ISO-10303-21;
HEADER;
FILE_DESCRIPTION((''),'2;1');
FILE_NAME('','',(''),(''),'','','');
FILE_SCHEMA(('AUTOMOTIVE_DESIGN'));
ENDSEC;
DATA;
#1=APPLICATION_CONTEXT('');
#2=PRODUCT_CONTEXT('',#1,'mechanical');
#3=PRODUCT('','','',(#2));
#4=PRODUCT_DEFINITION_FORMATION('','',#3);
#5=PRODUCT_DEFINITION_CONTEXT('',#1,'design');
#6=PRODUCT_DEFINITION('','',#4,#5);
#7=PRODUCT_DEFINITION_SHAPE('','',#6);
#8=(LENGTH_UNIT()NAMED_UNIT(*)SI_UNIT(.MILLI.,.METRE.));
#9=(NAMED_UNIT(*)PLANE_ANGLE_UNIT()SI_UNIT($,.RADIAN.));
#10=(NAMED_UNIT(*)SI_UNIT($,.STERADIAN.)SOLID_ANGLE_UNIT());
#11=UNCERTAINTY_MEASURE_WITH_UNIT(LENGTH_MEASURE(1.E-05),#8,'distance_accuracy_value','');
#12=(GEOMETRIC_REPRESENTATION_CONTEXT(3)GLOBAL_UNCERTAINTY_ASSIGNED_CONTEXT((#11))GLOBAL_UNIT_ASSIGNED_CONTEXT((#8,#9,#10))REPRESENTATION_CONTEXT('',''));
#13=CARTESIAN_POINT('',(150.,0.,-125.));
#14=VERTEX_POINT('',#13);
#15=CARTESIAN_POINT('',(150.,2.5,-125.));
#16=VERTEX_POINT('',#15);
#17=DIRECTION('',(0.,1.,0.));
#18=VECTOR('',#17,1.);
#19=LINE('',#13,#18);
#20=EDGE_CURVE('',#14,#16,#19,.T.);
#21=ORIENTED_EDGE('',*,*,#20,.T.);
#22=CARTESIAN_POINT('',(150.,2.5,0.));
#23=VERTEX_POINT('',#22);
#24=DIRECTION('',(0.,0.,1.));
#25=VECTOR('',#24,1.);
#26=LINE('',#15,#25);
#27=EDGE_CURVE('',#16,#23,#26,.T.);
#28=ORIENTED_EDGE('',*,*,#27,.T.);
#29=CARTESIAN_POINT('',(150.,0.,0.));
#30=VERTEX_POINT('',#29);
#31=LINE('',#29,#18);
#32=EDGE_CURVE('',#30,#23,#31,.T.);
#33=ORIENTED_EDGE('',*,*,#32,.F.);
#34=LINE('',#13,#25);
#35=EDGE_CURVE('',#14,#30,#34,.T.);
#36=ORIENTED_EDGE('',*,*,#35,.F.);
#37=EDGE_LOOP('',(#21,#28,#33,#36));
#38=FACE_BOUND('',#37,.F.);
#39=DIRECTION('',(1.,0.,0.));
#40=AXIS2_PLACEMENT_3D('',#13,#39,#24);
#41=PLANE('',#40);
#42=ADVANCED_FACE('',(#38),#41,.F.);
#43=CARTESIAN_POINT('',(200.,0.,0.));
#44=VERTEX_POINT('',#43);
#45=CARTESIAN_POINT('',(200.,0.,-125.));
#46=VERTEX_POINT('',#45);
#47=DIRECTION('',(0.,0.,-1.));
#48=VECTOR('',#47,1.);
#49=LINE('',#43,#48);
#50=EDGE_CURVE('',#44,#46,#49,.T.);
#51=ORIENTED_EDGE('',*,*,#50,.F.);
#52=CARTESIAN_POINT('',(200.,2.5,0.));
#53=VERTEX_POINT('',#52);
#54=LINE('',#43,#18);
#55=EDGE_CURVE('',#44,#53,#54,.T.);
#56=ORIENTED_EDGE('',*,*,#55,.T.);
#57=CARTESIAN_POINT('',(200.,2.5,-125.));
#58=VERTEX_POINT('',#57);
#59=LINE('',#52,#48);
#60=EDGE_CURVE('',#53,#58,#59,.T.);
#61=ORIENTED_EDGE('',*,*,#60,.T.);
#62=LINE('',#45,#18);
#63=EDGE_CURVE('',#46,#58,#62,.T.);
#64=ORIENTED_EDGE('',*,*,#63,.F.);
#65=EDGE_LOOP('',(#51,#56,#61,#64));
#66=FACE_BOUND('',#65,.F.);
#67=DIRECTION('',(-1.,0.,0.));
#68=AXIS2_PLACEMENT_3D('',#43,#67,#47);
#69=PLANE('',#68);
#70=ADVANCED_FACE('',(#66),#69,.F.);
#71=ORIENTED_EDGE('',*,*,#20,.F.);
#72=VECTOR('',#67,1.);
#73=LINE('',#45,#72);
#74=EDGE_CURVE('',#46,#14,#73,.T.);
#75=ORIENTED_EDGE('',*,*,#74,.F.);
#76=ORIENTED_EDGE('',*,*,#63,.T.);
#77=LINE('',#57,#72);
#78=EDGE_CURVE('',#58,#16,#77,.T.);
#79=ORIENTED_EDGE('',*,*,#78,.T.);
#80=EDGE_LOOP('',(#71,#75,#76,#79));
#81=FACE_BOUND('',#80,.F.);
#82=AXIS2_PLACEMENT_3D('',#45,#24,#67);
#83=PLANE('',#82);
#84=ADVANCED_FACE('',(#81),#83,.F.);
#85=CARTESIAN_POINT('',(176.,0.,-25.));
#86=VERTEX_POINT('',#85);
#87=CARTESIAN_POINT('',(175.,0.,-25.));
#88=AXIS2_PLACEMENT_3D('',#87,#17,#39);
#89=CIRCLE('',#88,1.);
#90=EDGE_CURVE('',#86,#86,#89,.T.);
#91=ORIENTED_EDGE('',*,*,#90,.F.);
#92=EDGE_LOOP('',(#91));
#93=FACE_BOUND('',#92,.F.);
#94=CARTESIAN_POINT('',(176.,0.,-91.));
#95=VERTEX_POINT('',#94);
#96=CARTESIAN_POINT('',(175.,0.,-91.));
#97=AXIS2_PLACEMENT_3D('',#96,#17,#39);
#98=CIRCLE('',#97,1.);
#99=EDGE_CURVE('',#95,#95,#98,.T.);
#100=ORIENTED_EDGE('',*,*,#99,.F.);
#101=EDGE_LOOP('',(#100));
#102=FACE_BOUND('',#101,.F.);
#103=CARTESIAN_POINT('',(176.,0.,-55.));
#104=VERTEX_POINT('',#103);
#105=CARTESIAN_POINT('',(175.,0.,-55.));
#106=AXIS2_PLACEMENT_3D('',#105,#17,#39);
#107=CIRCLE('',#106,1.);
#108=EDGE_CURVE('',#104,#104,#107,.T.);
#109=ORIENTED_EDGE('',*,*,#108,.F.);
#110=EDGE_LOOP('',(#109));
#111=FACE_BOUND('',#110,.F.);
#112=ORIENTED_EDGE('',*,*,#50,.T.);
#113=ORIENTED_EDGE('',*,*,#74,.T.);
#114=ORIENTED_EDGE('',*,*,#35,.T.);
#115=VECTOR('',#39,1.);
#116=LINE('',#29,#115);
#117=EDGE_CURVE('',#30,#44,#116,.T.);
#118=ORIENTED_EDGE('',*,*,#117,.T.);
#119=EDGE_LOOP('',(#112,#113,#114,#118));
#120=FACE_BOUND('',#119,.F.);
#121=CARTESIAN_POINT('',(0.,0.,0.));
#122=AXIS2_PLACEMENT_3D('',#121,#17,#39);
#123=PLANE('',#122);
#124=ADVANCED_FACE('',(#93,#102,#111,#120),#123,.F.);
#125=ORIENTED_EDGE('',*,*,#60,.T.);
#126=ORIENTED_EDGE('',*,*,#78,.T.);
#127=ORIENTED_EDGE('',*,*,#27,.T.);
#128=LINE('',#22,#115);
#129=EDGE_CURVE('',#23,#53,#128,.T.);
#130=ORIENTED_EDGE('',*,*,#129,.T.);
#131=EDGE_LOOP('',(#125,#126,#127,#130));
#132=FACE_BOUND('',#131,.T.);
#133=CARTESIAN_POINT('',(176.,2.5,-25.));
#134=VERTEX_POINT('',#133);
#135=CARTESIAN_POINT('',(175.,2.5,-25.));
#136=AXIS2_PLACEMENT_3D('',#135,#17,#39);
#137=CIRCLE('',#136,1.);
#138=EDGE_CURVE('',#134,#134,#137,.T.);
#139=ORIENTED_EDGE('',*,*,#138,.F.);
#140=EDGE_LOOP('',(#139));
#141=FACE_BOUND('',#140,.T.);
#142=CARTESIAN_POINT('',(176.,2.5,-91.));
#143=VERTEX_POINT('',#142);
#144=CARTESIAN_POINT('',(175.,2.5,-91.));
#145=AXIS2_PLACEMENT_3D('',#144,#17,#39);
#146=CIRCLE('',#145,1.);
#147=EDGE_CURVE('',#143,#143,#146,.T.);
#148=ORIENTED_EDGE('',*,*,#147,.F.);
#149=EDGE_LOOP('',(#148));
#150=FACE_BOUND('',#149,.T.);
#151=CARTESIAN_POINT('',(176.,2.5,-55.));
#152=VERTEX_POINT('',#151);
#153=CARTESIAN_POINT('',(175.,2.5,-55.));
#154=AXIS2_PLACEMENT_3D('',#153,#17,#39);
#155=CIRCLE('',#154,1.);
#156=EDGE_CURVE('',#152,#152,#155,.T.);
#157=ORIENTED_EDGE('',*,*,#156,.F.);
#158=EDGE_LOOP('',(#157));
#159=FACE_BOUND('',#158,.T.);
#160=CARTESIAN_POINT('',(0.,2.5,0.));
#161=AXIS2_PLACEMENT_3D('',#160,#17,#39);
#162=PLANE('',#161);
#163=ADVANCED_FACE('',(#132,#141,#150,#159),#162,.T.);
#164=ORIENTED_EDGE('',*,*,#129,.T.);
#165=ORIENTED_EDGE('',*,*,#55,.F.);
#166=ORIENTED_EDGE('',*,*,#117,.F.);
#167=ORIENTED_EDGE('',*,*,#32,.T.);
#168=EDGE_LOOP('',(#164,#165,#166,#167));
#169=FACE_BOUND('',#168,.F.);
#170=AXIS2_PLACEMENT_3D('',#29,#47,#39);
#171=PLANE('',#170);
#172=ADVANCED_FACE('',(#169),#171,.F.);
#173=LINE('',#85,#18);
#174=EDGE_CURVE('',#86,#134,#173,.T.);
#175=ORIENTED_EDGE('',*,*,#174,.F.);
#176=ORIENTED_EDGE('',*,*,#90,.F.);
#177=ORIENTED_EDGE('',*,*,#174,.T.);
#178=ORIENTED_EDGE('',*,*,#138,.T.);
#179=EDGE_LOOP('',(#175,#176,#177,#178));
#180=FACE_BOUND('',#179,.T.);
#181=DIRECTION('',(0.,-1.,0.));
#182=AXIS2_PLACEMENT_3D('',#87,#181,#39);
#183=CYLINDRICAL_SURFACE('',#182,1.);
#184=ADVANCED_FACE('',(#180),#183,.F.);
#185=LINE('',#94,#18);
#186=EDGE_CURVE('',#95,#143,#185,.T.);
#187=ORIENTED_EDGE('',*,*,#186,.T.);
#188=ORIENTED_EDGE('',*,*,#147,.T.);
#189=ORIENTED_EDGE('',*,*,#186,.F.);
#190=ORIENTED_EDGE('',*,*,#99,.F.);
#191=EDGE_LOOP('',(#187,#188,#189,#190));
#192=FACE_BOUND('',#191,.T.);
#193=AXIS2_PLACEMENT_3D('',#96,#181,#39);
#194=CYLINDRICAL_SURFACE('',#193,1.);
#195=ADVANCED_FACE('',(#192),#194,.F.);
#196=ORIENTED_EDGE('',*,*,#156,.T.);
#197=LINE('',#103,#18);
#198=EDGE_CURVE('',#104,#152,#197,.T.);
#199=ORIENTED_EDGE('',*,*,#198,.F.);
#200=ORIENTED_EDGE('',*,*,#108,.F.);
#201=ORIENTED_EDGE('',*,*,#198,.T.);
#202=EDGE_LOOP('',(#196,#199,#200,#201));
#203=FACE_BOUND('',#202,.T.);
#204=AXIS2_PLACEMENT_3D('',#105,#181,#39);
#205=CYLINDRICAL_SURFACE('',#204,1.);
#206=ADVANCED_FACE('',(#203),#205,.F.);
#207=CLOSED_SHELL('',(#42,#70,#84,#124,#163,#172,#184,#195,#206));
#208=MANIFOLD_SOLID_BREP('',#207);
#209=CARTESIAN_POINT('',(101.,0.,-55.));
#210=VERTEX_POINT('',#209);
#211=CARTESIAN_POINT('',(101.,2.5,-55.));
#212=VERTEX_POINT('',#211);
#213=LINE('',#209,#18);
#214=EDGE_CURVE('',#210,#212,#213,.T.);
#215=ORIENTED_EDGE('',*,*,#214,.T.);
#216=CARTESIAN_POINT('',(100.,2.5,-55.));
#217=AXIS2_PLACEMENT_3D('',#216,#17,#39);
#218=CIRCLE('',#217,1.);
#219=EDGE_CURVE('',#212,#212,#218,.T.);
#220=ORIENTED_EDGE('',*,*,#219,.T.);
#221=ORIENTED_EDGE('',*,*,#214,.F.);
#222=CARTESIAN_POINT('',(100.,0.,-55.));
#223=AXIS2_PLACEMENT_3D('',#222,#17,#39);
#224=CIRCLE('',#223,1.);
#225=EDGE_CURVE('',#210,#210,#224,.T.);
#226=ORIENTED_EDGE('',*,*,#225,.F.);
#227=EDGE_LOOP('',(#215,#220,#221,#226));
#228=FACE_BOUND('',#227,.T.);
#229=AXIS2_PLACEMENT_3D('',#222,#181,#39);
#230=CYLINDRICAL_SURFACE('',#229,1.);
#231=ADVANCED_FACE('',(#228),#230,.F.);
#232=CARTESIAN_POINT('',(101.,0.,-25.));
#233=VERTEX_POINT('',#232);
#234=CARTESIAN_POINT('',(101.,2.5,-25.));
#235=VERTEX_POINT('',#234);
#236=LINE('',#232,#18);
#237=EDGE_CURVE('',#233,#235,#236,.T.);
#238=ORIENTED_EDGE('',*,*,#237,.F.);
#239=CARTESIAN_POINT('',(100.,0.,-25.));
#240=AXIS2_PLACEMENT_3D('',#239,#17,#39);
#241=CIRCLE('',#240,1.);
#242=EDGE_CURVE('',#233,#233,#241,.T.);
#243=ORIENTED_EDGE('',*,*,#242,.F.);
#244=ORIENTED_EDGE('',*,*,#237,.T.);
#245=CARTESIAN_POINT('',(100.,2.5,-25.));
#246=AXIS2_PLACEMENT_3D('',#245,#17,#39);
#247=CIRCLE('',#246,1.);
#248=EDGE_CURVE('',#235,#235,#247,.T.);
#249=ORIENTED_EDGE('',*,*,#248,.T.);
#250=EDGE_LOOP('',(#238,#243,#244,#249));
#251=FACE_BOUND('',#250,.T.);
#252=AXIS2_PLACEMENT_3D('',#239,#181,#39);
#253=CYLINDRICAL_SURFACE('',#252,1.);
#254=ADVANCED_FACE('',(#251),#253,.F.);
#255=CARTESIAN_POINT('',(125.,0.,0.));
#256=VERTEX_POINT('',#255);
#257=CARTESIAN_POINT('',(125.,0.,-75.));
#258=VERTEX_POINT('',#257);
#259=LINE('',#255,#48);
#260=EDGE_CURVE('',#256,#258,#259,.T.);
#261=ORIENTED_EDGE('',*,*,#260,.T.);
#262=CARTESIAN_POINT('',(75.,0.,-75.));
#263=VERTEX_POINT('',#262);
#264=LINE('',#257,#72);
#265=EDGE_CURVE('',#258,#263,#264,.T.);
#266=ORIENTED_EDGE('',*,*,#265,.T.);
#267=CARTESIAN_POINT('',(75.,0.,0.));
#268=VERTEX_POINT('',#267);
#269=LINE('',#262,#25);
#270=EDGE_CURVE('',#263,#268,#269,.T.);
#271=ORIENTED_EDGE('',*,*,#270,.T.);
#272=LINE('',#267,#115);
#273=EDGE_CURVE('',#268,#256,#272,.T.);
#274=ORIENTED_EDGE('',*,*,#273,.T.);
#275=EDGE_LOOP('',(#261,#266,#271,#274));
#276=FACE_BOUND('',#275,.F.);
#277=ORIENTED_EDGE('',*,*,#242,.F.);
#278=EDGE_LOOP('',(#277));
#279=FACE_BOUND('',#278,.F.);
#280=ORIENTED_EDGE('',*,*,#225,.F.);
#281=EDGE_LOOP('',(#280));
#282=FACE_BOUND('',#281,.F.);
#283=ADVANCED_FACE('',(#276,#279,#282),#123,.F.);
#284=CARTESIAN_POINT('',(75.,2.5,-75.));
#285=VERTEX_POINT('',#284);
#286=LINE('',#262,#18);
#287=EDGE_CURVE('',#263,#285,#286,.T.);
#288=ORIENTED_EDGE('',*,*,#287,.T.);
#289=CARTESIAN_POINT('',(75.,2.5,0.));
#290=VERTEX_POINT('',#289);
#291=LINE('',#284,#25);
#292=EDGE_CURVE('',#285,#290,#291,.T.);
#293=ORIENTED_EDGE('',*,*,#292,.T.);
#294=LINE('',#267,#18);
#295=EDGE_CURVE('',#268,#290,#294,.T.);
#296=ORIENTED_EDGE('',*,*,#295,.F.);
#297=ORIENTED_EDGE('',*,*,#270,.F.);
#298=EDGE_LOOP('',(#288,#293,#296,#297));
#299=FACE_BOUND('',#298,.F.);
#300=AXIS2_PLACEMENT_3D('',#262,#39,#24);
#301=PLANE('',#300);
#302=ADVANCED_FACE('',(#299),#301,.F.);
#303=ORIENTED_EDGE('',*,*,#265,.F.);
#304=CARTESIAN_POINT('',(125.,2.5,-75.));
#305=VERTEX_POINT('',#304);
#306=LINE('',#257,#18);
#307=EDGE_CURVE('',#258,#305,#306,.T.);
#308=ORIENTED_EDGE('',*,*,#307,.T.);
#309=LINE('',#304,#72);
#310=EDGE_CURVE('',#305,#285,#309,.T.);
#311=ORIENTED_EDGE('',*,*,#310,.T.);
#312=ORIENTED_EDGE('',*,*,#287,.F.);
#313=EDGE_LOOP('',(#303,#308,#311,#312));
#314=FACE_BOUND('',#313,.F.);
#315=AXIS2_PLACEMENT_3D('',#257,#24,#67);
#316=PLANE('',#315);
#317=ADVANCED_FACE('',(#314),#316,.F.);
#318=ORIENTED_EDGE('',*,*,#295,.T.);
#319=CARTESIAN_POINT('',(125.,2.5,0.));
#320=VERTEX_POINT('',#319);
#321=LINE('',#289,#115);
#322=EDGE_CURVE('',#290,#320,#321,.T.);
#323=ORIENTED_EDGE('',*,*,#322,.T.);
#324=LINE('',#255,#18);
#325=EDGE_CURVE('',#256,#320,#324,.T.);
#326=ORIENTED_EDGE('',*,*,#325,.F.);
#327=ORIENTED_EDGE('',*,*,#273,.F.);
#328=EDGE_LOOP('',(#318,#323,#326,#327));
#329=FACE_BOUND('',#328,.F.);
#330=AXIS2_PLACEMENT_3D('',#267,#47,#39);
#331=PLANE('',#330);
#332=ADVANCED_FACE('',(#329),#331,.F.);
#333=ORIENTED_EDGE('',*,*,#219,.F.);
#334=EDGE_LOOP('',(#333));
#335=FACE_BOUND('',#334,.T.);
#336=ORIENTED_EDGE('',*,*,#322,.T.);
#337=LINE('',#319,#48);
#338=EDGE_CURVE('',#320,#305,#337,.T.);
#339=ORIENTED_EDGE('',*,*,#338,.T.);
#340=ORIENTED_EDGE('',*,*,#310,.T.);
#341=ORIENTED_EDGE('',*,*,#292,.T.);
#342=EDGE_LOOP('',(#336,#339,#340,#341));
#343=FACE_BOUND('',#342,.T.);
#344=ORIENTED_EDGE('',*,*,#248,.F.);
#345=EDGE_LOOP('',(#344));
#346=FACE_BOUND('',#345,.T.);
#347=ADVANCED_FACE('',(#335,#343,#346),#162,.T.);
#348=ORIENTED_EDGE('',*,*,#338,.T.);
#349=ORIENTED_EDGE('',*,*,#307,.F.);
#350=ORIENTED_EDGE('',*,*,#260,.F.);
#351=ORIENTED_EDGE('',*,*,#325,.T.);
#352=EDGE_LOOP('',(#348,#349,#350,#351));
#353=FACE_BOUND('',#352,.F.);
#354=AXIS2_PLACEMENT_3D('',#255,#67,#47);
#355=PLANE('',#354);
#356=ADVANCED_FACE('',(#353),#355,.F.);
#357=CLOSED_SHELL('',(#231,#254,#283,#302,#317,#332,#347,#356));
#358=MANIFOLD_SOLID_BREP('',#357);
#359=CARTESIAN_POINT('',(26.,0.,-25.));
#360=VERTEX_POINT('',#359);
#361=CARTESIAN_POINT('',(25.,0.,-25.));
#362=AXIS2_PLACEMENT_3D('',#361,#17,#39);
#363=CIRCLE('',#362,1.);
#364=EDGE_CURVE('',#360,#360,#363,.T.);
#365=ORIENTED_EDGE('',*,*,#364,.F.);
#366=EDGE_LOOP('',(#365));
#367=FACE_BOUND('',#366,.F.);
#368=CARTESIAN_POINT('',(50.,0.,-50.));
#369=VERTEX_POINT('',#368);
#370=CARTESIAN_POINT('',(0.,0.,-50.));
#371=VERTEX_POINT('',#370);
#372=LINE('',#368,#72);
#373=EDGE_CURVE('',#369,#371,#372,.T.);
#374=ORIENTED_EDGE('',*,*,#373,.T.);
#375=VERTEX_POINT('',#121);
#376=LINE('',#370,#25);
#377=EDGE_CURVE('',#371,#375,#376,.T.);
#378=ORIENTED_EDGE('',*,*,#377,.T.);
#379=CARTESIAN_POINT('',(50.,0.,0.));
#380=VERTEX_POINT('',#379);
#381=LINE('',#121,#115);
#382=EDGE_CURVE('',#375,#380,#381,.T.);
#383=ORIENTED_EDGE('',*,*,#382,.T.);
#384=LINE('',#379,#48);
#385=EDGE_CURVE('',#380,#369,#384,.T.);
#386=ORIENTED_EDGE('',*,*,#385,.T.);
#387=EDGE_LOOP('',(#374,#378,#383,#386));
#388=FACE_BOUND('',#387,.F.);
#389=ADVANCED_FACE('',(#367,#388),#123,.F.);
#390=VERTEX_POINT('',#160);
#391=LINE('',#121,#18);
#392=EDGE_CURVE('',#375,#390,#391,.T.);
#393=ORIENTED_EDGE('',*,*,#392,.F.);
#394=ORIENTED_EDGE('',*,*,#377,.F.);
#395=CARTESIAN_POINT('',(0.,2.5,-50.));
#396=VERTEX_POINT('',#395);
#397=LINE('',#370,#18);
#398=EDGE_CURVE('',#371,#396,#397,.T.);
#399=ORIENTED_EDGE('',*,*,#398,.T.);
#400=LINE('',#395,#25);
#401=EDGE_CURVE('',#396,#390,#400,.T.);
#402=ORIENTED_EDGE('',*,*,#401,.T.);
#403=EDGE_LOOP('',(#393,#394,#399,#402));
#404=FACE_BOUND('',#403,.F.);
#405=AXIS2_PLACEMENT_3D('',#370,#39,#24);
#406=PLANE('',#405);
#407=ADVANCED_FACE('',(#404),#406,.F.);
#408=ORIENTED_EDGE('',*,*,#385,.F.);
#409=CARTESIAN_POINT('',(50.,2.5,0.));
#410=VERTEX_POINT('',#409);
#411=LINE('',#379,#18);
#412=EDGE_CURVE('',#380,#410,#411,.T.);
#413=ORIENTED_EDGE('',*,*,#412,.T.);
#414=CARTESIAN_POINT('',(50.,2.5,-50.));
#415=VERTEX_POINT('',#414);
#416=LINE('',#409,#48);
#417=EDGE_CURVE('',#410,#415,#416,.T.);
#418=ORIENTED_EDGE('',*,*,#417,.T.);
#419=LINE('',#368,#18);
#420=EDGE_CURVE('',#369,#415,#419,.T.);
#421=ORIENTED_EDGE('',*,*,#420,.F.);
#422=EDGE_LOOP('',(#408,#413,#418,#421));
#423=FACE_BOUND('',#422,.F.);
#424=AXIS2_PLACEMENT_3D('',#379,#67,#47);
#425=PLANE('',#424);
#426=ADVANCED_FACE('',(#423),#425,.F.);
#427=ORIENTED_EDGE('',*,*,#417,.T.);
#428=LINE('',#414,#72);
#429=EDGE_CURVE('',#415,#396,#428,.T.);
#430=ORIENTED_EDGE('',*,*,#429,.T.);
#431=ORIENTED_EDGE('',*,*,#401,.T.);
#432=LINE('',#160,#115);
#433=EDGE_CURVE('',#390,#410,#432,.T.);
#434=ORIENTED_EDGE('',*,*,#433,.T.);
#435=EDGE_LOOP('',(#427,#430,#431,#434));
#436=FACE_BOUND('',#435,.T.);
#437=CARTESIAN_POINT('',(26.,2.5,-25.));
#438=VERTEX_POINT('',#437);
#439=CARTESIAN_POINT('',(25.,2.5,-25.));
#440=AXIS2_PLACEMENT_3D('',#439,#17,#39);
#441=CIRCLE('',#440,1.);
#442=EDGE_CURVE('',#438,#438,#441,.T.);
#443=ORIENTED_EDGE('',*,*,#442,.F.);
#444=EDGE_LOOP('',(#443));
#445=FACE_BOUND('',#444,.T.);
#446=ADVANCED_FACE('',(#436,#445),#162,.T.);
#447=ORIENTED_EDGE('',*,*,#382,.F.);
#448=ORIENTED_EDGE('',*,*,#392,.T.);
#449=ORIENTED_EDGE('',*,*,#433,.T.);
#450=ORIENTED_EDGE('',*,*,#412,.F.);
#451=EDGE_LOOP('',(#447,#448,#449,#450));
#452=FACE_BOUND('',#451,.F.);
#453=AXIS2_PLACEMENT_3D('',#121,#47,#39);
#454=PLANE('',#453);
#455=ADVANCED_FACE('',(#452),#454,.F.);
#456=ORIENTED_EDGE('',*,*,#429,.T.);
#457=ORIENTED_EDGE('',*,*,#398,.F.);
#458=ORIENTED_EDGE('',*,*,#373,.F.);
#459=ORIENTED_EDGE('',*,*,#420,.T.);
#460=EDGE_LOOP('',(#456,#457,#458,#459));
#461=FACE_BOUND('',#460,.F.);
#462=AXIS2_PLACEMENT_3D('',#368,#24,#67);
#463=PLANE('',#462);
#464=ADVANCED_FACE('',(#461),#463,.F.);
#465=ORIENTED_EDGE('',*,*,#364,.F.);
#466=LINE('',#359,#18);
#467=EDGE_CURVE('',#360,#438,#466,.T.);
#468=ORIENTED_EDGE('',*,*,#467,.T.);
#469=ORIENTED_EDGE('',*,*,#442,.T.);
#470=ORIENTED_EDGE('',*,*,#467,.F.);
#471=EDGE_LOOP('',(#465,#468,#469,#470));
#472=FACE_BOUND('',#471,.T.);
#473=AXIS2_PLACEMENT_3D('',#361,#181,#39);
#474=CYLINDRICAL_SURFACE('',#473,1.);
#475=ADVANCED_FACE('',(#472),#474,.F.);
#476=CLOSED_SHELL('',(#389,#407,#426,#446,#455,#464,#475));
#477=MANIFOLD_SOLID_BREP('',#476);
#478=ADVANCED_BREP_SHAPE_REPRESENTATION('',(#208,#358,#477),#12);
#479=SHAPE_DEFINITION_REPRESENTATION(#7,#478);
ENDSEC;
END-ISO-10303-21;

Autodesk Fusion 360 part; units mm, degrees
sketch "スケッチ1" plane through (0, 0, 0) normal (0, 1, 0) x (1, 0, 0)
  line L0 (0, 0) -> (50, 0)
  line L1 (50, 0) -> (50, 50)
  line L2 (50, 50) -> (0, 50)
  line L3 (0, 50) -> (0, 0)
  circle A0 centre (25, 25) radius 1
  line L4 (75, 0) -> (125, 0)
  line L5 (125, 0) -> (125, 75)
  line L6 (125, 75) -> (75, 75)
  line L7 (75, 75) -> (75, 0)
  line L8 (150, 0) -> (200, 0)
  line L9 (200, 0) -> (200, 125)
  line L10 (200, 125) -> (150, 125)
  line L11 (150, 125) -> (150, 0)
  circle A1 centre (100, 25) radius 1
  circle A2 centre (100, 55) radius 1
  circle A3 centre (175, 25) radius 1
  circle A4 centre (175, 55) radius 1
  circle A5 centre (175, 91) radius 1
  dimension "d1" = 2
  dimension "d4" = 2
  dimension "d5" = 2
  dimension "d6" = 2
  dimension "d7" = 2
  dimension "d8" = 2
  dimension "d9" = 36
extrude "押し出し1" add sketch "スケッチ1" along normal blind 2.5 makes body 1 at (24.9751, 0, -41.9991) makes body 2 at (116.9787, 0, -33.4505) makes body 3 at (175, 0, -114)
